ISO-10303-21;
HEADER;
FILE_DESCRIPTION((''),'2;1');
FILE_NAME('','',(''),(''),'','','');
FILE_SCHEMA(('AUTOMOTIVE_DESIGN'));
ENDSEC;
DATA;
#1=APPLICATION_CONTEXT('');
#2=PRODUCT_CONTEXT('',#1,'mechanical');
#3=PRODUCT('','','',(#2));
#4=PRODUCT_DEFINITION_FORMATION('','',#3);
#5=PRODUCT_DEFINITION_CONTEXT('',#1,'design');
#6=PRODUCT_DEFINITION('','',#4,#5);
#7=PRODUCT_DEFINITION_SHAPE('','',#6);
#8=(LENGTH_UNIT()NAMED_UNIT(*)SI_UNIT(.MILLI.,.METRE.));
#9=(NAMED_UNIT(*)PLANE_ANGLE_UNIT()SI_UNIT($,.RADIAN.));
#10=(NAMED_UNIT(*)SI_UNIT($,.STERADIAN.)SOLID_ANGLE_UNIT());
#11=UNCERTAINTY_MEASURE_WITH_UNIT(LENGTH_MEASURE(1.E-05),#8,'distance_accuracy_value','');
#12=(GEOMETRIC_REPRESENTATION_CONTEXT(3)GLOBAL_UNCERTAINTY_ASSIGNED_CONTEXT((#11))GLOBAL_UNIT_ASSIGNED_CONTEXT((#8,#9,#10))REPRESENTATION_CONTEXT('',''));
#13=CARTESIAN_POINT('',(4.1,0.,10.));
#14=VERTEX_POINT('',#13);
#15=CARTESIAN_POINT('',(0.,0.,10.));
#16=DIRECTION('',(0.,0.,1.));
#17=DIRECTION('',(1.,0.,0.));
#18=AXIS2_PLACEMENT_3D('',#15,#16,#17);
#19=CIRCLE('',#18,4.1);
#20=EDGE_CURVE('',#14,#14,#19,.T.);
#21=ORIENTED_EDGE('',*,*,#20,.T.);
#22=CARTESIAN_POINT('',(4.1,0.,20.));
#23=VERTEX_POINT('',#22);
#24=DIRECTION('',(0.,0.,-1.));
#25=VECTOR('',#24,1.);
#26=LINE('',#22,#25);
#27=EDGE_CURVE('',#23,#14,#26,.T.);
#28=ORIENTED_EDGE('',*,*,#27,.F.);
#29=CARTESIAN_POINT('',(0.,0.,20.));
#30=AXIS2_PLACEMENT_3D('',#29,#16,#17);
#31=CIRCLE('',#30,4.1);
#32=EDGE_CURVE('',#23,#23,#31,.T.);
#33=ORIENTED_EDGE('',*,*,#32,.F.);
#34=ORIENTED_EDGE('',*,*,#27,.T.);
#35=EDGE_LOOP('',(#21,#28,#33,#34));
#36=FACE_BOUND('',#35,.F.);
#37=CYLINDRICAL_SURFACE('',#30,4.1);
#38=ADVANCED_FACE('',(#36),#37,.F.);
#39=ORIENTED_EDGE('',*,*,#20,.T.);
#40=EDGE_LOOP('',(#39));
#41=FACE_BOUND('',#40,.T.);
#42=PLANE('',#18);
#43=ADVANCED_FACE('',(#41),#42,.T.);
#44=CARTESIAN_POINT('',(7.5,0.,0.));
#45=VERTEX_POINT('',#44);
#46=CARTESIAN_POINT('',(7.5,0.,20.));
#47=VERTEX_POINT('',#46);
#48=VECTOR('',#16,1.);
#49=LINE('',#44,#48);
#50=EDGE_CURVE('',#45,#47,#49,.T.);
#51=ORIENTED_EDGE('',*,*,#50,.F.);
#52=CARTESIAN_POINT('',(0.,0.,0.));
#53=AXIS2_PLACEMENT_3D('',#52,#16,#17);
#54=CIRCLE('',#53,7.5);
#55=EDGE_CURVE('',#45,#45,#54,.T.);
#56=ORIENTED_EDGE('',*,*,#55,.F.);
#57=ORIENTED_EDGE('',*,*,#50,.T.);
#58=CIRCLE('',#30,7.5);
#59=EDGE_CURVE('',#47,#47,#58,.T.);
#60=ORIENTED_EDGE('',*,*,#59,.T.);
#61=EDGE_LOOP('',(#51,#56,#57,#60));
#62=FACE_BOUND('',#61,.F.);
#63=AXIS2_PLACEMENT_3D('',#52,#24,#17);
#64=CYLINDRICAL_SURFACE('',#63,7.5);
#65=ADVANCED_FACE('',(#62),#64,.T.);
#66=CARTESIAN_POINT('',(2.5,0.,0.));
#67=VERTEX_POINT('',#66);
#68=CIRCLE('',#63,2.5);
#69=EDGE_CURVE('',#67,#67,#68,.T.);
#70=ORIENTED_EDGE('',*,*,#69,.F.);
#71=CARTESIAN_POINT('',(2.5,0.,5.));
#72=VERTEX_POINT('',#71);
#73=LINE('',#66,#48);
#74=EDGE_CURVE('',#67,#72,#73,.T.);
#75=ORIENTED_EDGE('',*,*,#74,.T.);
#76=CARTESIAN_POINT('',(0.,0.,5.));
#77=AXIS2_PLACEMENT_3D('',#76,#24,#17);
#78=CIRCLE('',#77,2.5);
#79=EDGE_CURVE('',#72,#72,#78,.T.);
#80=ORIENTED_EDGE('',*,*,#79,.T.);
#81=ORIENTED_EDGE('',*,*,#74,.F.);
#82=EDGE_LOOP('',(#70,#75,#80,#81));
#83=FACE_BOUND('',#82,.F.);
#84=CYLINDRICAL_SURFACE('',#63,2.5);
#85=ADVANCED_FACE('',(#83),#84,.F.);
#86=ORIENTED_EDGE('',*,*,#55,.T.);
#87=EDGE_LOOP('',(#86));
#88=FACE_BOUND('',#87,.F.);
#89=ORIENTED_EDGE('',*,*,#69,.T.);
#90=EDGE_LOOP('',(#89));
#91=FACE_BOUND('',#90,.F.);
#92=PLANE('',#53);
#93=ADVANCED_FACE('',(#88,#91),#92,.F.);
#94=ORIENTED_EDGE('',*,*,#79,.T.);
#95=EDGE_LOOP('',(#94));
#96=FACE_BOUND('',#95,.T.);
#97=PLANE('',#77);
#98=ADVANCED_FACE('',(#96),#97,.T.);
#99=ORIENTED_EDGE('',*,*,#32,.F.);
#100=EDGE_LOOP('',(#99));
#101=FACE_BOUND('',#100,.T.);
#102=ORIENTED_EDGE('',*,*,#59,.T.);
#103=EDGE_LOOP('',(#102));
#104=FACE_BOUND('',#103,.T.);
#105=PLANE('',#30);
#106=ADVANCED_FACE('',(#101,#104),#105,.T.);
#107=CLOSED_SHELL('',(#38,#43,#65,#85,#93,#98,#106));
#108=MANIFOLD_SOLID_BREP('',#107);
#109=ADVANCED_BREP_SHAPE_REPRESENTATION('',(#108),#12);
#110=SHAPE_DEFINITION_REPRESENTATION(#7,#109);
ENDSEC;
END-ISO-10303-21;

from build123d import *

# Parameters (mm, degrees)
SKETCH_R        = 7.5
PAD_DEPTH       = 20
SKETCH001_R     = 4.1
POCKET_DEPTH    = 10
SKETCH002_R     = 2.5
POCKET001_DEPTH = 5


with BuildPart() as part:
    # Sketch → Pad (new body)
    with BuildSketch(Plane.XY):
        Circle(SKETCH_R)
    extrude(amount=PAD_DEPTH)

    # Sketch001 → Pocket (cut)
    with BuildSketch(Plane.XY.offset(20)):
        Circle(SKETCH001_R)
    extrude(amount=-POCKET_DEPTH, mode=Mode.SUBTRACT)

    # Sketch002 → Pocket001 (cut)
    with BuildSketch(Plane(origin=(0, 0, 0), x_dir=(1, 0, 0), z_dir=(0, 0, -1))):
        Circle(SKETCH002_R)
    extrude(amount=-POCKET001_DEPTH, mode=Mode.SUBTRACT)


solid = part.part
